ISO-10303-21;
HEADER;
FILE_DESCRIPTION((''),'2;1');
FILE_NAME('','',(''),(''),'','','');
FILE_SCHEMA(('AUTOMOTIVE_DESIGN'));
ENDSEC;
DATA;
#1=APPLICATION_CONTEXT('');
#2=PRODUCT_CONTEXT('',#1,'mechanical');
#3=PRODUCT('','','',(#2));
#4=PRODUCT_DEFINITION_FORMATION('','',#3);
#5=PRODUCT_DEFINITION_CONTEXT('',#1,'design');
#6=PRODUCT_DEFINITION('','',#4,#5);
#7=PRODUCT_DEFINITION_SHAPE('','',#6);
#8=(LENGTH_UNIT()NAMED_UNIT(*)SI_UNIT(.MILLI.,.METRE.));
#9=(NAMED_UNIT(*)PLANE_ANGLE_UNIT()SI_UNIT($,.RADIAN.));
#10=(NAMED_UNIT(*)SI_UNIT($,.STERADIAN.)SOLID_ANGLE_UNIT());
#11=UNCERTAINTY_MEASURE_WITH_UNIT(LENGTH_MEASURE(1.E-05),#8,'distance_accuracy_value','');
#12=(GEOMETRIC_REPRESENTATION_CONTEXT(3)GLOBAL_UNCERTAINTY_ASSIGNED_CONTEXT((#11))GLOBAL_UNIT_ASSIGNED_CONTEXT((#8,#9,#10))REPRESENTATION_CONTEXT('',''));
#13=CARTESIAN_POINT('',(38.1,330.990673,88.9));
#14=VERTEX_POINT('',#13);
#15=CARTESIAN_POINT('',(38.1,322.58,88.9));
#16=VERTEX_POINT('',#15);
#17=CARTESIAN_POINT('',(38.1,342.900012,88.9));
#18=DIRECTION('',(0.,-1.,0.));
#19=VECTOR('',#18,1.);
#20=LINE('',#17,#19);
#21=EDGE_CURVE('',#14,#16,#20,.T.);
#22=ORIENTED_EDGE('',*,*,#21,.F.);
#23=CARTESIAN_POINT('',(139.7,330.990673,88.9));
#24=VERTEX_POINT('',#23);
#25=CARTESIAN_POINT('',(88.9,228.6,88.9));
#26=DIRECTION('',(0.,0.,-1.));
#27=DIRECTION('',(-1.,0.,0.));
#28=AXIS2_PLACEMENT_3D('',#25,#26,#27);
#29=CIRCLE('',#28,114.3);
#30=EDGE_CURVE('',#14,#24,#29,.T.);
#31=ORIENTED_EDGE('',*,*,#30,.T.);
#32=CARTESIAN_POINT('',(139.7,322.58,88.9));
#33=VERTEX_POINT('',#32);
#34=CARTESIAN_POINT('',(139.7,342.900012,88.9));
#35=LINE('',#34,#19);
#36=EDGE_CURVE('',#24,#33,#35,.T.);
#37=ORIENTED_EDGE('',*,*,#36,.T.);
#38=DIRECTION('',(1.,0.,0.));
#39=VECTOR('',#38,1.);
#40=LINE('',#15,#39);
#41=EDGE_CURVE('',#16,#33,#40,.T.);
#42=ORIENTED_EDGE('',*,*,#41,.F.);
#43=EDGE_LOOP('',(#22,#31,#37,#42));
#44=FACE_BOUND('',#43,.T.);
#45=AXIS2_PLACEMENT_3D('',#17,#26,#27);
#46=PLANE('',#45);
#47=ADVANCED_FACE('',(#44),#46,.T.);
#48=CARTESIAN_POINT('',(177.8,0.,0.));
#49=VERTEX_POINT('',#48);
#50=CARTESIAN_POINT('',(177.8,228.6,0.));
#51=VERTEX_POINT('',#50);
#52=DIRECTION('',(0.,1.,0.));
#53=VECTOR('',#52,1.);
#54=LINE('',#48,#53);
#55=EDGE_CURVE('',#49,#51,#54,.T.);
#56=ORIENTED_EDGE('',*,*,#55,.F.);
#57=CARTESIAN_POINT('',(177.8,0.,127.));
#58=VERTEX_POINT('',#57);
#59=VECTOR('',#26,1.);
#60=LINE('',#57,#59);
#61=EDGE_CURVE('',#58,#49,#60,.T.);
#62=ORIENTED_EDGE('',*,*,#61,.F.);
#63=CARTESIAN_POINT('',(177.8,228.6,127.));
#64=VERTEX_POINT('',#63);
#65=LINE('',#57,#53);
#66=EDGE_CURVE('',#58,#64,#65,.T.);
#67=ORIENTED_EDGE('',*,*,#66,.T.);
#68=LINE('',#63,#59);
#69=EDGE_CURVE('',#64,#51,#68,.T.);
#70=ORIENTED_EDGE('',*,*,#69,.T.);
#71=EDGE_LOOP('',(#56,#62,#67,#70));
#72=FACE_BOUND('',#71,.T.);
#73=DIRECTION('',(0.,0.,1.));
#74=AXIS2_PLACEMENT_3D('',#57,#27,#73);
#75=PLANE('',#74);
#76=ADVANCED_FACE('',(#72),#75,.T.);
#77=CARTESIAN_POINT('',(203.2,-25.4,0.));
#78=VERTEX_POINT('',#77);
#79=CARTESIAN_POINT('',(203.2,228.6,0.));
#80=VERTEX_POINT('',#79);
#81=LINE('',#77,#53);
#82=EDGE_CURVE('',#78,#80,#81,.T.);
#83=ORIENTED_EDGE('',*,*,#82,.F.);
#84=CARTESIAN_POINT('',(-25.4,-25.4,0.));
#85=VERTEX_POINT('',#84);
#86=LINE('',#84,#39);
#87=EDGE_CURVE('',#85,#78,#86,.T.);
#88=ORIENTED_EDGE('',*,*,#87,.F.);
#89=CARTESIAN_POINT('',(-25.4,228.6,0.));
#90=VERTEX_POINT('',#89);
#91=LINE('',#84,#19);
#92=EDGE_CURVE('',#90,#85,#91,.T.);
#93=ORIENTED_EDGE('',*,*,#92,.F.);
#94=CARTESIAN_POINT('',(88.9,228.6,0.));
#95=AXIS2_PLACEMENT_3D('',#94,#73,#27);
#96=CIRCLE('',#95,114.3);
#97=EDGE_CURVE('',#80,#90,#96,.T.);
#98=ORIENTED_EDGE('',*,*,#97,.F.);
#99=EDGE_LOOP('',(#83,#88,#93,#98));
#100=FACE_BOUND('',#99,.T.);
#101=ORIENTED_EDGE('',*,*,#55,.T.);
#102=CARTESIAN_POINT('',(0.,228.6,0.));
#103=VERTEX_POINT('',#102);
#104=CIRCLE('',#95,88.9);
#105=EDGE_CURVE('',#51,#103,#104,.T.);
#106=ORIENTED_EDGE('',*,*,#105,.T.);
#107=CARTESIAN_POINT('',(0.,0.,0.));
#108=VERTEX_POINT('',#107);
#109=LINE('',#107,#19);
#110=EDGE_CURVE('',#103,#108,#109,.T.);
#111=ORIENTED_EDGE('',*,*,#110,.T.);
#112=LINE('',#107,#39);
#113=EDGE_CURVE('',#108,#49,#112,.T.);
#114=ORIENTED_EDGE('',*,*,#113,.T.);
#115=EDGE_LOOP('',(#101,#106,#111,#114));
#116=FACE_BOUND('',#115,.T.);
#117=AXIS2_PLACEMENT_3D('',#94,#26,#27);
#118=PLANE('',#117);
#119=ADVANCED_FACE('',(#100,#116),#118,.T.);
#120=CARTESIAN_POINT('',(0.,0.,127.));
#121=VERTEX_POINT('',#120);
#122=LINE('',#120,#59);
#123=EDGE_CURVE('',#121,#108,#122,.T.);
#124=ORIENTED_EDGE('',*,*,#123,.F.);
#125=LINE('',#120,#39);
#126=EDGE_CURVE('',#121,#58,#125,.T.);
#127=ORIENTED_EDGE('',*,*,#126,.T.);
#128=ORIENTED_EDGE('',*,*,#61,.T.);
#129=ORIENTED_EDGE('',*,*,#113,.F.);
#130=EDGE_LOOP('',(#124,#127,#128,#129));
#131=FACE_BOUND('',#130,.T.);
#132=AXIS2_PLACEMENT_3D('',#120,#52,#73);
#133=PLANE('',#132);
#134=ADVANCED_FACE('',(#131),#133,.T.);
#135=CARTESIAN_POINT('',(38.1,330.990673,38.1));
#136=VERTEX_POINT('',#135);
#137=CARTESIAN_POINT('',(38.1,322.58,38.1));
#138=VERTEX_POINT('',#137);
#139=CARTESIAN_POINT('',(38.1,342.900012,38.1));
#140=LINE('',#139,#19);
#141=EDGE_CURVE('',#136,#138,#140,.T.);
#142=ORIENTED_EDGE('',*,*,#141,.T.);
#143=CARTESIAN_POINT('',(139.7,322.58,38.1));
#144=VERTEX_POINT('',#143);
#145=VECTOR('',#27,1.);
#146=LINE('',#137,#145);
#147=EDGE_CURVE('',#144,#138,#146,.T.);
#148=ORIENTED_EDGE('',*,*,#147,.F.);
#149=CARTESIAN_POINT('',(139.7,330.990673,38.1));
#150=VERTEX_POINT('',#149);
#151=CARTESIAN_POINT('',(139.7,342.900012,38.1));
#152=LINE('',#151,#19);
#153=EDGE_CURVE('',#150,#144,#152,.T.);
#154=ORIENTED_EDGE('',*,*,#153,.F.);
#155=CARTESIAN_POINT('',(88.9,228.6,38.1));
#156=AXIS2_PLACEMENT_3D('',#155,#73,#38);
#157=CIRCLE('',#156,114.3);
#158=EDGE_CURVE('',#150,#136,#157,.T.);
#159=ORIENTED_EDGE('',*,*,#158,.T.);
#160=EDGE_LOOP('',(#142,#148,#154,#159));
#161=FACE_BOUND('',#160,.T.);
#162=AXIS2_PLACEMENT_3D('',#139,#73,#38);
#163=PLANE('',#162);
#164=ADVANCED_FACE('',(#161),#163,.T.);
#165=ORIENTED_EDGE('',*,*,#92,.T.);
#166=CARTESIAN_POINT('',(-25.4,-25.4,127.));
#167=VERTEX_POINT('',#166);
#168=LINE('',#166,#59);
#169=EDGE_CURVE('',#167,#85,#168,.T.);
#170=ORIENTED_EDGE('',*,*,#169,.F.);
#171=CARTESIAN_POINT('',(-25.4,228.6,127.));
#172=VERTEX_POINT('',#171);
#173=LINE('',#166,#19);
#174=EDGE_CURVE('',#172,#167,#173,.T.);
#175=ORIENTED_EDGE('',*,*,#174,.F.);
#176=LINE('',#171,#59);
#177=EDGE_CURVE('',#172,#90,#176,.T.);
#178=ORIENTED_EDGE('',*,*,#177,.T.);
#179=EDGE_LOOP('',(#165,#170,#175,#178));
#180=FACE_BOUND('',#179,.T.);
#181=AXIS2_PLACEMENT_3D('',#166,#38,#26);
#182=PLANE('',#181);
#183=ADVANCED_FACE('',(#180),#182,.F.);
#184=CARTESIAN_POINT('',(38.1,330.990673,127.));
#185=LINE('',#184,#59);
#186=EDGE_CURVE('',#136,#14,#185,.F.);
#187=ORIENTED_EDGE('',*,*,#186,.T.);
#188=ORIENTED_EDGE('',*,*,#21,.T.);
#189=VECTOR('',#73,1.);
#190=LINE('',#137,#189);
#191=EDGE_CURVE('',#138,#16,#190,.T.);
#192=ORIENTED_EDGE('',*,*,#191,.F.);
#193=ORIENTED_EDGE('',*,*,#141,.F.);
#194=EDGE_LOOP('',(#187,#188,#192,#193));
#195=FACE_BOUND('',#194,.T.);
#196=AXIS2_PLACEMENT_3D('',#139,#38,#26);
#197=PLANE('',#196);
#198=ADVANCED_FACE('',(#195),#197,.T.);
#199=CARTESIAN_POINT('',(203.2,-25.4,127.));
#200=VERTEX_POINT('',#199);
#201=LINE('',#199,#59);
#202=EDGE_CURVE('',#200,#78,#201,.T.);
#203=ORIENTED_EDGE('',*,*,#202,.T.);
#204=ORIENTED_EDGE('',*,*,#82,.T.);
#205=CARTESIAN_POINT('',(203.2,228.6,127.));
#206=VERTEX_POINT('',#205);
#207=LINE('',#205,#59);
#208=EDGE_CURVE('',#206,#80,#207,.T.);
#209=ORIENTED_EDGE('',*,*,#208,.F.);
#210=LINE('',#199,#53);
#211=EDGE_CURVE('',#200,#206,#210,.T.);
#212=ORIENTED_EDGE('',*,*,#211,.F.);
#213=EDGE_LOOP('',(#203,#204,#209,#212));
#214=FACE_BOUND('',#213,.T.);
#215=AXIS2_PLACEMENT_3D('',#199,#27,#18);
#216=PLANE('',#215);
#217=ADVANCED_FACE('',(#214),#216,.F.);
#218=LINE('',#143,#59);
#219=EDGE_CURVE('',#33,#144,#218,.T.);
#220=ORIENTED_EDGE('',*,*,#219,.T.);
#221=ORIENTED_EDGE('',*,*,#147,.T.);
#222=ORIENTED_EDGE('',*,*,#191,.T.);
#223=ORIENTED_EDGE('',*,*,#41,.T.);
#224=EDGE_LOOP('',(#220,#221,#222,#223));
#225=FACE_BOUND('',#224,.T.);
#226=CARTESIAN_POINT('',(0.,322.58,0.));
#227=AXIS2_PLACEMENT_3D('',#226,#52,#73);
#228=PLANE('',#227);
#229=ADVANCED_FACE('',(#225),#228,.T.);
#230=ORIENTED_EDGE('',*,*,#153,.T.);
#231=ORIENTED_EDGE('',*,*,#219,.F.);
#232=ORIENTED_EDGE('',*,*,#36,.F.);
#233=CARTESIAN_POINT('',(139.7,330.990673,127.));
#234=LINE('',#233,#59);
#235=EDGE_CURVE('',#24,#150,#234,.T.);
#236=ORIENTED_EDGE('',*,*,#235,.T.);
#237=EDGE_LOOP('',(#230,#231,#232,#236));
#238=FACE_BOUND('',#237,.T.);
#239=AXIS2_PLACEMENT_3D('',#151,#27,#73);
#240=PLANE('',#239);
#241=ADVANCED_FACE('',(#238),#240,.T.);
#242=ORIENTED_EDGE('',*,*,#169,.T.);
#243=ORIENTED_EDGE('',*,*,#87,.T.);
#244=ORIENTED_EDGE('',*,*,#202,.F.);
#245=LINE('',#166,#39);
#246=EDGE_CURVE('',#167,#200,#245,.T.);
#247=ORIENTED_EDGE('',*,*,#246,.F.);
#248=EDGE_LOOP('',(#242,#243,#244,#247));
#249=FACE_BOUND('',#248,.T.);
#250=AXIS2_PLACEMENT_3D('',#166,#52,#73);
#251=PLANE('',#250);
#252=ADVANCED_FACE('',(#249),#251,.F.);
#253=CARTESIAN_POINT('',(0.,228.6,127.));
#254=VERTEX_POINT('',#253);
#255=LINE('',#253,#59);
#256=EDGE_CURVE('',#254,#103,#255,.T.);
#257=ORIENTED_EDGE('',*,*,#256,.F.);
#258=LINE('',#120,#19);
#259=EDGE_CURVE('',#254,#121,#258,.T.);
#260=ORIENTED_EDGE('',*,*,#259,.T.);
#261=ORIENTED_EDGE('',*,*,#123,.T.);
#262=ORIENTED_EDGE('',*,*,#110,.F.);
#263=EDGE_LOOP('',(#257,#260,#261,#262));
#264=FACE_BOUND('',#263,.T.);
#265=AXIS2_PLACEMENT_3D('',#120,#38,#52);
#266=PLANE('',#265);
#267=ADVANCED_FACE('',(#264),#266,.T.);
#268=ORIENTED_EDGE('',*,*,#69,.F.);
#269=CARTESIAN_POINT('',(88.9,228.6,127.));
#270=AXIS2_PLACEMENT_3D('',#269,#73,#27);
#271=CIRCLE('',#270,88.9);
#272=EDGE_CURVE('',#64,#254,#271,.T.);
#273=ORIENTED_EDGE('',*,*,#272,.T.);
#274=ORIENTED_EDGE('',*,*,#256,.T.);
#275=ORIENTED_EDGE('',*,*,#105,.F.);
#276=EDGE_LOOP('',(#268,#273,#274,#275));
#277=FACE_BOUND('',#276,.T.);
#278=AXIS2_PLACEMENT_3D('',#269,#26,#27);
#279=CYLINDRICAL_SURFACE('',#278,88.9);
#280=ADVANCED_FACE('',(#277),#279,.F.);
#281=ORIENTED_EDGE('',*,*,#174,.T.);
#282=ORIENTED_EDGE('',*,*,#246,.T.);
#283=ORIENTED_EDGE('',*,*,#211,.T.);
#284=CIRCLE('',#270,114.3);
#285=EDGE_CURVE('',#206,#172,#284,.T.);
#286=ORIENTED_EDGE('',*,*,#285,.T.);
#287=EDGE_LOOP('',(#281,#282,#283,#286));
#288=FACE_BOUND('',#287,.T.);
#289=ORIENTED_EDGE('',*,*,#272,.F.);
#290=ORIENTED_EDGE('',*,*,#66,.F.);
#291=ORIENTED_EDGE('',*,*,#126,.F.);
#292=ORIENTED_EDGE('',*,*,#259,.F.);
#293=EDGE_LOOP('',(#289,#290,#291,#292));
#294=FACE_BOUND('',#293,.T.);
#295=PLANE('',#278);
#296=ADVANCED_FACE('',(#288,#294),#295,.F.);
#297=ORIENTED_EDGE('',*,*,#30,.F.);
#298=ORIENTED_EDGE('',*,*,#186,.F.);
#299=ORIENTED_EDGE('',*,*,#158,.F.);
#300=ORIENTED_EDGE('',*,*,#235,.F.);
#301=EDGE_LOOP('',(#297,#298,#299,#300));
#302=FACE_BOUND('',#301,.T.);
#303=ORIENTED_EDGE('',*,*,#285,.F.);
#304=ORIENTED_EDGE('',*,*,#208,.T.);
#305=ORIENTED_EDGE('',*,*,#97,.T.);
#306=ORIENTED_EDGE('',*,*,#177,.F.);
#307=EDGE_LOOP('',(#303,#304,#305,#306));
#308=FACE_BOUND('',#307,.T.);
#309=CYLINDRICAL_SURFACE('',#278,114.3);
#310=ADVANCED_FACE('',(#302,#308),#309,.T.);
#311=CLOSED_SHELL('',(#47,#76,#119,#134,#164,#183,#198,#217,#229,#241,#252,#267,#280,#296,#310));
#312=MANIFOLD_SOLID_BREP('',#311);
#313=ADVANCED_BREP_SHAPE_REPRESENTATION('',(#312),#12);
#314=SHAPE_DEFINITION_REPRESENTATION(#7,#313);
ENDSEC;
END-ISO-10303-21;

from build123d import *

# Parameters (mm, degrees)
BOSS_EXTRUDE1_DEPTH     = 127
CUT_EXTRUDE1_DEPTH      = 440.390634857
CUT_EXTRUDE1_DEPTH_BACK = 20.32
SKETCH2_W               = 101.6
SKETCH2_H               = 50.8


with BuildPart() as part:
    # Sketch1 → Boss-Extrude1 (new body)
    with BuildSketch(Plane.XY):
        with BuildLine():
            Line((-25.4, -25.4), (-25.4, 228.6))
            ThreePointArc((-25.4, 228.6), (88.9, 342.9), (203.2, 228.6))
            Line((203.2, 228.6), (203.2, -25.4))
            Line((203.2, -25.4), (-25.4, -25.4))
        make_face()
        with BuildLine():
            Line((0, 0), (177.8, 0))
            Line((177.8, 0), (177.8, 228.6))
            ThreePointArc((177.8, 228.6), (88.9, 317.5), (0, 228.6))
            Line((0, 228.6), (0, 0))
        make_face(mode=Mode.SUBTRACT)
    extrude(amount=BOSS_EXTRUDE1_DEPTH)

    # Sketch2 → Cut-Extrude1 (cut, two sides: drawn at the far end of the back side and taken through both)
    with BuildSketch(Plane(origin=(0, 342.9, 0), x_dir=(1, 0, 0), z_dir=(0, 1, 0)).offset(-CUT_EXTRUDE1_DEPTH_BACK)):
        with Locations((88.9, -63.5)):
            Rectangle(SKETCH2_W, SKETCH2_H)
    extrude(amount=CUT_EXTRUDE1_DEPTH + CUT_EXTRUDE1_DEPTH_BACK, mode=Mode.SUBTRACT)


solid = part.part
